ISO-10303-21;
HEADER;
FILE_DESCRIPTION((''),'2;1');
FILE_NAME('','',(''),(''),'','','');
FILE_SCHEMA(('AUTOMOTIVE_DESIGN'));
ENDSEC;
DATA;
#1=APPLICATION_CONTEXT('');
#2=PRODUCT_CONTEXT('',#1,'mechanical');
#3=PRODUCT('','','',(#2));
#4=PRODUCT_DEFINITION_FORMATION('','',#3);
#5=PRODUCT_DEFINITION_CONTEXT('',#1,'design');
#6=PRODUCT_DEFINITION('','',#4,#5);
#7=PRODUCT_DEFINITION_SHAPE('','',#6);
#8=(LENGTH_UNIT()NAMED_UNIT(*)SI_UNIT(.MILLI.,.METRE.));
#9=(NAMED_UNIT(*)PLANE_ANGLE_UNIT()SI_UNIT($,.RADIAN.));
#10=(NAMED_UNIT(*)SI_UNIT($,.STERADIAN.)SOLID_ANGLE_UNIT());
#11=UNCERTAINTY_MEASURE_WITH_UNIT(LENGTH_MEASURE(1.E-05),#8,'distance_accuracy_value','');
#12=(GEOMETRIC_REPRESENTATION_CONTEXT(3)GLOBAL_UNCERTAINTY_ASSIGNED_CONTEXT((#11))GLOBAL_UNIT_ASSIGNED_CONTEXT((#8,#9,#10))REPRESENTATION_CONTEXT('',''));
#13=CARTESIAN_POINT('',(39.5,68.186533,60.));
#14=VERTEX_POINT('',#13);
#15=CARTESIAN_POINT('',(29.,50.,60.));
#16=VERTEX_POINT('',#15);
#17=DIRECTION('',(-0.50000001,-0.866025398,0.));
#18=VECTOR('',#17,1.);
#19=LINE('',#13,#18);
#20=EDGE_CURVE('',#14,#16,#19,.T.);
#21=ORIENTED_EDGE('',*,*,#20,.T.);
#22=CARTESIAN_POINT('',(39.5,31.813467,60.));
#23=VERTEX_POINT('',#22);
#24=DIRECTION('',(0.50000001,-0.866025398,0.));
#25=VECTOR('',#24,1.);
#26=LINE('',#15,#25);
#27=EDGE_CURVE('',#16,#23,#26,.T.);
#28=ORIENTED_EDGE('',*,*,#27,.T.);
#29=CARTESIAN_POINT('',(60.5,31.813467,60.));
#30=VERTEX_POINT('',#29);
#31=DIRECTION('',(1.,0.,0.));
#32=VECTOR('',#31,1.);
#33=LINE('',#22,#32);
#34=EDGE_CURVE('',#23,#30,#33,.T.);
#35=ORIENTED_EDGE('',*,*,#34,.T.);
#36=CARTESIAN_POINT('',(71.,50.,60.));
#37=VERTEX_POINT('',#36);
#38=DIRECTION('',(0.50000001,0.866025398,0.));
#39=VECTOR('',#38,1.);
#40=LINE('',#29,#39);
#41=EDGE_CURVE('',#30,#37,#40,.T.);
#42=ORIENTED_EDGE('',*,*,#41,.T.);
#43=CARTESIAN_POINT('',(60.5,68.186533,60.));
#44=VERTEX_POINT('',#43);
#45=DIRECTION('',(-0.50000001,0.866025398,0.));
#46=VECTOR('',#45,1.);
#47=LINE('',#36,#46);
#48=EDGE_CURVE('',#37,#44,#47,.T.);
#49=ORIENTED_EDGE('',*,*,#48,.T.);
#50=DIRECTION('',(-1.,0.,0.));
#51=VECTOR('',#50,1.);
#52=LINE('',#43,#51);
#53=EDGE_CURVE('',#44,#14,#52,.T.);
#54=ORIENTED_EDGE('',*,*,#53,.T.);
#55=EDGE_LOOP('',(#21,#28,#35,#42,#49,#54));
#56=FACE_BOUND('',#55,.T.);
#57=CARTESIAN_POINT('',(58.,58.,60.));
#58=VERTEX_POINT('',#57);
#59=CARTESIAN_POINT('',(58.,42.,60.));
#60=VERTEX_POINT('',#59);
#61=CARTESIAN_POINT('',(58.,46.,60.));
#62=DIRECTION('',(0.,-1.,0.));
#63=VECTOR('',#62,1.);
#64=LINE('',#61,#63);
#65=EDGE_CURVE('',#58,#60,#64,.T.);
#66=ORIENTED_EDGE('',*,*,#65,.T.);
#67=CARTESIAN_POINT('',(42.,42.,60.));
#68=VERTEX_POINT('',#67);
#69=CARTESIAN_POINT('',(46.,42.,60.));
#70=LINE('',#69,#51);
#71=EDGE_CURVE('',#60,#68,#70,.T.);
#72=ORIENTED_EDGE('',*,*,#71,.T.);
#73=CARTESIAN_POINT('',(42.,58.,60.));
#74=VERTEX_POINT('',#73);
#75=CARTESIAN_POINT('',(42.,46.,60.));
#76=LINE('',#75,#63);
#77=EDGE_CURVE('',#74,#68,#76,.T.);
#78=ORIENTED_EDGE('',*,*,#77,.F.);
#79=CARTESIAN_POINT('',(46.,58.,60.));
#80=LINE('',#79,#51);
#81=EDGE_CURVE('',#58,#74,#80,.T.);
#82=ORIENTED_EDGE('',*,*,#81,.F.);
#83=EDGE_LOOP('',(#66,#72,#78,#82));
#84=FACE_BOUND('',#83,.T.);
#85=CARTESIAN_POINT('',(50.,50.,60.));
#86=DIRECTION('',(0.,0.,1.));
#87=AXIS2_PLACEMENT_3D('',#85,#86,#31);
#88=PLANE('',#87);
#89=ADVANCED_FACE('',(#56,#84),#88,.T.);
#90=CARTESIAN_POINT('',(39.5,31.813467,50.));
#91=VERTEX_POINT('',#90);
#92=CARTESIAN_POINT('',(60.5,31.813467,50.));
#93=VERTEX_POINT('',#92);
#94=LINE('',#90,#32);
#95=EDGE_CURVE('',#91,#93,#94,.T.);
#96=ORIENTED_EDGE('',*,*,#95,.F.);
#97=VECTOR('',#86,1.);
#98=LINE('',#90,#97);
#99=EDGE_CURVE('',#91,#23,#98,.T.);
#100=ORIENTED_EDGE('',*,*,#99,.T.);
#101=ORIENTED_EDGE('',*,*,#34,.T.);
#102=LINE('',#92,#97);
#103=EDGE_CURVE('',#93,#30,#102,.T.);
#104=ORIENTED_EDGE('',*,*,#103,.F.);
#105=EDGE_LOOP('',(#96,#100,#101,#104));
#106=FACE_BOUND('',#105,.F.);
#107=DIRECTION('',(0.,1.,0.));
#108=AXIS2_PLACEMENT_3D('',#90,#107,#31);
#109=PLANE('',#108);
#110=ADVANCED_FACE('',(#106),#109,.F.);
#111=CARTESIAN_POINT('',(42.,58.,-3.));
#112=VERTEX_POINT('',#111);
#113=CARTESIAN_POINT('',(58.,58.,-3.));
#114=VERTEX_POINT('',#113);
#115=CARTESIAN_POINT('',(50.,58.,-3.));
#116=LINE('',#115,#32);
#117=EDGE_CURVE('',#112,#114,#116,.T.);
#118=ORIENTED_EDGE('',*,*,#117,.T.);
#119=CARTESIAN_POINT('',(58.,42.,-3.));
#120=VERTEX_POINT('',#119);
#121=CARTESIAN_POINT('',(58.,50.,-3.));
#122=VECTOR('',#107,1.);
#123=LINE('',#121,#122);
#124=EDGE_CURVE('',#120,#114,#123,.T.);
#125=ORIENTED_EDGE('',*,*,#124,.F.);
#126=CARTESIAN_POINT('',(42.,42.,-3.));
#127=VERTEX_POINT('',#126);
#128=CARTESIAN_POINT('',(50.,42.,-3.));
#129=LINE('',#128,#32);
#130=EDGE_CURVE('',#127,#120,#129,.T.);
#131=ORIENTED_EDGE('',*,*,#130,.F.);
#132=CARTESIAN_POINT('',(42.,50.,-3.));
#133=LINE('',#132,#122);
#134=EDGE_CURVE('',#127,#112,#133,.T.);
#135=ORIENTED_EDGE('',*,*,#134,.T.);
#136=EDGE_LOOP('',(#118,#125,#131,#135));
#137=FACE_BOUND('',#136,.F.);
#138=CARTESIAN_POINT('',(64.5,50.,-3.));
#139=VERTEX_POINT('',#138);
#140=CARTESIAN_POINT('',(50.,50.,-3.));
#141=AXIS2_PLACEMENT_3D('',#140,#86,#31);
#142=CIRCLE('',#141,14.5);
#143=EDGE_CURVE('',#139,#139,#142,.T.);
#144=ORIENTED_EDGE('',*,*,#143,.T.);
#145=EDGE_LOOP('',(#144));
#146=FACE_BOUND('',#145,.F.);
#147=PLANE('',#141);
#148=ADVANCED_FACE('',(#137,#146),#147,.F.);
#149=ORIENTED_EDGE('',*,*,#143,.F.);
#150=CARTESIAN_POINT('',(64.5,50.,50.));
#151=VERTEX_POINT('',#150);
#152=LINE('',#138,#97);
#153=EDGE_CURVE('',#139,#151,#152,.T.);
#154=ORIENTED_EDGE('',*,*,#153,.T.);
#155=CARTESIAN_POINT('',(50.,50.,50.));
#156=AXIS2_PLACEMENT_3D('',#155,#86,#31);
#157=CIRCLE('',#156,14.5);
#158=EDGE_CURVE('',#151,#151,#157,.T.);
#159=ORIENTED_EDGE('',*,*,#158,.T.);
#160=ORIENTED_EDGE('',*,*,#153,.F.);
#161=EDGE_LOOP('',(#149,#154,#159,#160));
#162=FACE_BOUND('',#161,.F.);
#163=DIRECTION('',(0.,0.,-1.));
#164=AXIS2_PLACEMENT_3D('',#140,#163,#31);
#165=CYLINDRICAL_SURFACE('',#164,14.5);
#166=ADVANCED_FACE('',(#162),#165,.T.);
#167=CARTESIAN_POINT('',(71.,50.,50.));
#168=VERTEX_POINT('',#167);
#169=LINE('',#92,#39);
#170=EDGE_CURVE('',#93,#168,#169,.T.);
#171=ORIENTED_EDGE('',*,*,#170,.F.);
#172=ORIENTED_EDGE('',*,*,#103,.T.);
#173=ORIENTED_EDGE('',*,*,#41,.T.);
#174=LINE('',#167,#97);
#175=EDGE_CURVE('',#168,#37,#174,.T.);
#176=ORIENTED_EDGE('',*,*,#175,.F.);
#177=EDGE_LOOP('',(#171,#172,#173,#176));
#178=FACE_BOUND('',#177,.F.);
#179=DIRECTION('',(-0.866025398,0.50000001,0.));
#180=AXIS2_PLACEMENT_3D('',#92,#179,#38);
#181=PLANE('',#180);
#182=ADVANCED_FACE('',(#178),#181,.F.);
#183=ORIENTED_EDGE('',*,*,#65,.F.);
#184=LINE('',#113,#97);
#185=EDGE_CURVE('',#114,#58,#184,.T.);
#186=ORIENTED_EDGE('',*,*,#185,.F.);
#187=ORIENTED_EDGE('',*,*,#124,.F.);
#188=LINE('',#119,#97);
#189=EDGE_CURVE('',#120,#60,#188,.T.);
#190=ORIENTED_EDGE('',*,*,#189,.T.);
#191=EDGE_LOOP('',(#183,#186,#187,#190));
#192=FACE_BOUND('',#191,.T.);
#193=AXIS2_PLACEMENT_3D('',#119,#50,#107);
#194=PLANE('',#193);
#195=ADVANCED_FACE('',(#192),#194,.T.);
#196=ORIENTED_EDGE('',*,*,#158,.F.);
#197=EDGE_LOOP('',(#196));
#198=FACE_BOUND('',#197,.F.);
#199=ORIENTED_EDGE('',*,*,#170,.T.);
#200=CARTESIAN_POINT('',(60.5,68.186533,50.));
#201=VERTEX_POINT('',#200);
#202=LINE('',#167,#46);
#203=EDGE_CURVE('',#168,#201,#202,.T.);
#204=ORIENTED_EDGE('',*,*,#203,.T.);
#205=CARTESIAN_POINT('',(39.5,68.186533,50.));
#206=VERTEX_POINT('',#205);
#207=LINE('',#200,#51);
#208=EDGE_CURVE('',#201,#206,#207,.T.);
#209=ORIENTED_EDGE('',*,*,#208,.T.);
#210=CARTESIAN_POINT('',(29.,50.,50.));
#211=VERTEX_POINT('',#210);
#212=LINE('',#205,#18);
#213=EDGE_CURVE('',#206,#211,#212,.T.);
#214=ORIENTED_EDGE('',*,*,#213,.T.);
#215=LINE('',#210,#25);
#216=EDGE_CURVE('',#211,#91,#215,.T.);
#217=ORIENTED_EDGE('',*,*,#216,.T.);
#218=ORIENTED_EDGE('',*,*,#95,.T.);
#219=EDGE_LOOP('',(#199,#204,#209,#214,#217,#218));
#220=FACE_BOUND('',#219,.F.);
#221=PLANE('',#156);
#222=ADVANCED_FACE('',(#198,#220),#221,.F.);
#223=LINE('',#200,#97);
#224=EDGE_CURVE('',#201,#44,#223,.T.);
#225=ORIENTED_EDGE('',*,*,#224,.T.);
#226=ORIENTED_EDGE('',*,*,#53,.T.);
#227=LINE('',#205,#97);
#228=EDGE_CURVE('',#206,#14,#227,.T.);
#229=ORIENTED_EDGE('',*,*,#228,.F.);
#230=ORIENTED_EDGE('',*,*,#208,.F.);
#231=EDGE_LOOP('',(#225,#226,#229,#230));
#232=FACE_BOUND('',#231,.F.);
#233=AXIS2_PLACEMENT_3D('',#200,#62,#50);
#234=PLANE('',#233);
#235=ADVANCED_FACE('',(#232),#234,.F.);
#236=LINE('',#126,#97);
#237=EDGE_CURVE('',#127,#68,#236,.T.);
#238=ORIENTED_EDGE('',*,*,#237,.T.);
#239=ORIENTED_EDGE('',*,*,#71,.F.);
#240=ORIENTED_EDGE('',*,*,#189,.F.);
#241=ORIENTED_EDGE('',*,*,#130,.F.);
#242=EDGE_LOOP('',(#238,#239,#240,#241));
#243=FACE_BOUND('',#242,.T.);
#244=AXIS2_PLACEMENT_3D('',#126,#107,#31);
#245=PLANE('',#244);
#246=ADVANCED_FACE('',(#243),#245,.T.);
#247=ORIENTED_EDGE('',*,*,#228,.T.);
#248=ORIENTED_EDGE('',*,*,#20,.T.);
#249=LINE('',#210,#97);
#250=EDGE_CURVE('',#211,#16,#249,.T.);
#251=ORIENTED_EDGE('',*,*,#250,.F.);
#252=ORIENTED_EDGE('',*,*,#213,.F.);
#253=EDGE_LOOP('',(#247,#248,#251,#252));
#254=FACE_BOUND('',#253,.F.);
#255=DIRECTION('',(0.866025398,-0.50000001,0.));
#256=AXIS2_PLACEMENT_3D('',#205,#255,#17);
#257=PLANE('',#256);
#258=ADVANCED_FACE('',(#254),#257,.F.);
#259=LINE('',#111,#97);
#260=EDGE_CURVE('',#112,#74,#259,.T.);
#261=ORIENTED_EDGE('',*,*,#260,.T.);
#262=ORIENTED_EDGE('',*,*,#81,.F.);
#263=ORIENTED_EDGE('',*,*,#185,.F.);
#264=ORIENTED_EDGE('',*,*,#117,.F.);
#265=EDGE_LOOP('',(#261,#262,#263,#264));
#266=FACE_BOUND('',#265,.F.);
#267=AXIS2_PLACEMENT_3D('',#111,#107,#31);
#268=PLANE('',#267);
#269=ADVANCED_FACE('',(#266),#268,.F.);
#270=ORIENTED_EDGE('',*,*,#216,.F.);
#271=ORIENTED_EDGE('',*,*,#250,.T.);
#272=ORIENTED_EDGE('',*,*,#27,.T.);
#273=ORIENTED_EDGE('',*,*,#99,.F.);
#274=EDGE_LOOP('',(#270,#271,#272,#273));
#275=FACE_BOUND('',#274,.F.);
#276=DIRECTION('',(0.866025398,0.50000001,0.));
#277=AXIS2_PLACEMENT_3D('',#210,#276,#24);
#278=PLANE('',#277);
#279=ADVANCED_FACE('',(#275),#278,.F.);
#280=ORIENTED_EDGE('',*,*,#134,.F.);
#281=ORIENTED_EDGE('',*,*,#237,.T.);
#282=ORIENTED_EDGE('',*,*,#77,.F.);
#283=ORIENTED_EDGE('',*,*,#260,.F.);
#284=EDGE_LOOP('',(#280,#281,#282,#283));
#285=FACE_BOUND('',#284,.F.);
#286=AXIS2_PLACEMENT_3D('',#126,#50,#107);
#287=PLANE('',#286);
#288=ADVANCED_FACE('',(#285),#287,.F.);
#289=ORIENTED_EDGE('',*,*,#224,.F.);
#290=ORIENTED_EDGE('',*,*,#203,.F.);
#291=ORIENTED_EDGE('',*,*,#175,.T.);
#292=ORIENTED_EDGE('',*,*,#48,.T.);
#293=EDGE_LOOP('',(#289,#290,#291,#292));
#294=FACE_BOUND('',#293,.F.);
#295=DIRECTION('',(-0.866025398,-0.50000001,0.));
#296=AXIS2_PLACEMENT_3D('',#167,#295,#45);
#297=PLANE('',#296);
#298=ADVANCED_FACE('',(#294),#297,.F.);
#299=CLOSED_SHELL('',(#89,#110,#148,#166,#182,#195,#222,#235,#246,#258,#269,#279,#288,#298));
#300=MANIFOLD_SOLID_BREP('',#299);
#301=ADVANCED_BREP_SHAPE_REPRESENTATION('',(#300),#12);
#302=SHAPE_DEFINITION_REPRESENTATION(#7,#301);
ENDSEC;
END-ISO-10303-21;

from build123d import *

# Parameters (mm, degrees)
SKETCH_R     = 14.5
PAD_DEPTH    = 53
PAD001_DEPTH = 10
SKETCH001_W  = 16
SKETCH001_H  = 16
POCKET_DEPTH = 70


with BuildPart() as part:
    # Sketch → Pad (new body)
    with BuildSketch(Plane.XY):
        Circle(SKETCH_R)
    extrude(amount=PAD_DEPTH)

    # Sketch002 → Pad001 (join)
    with BuildSketch(Plane.XY.offset(53)):
        Polygon((21, 0), (10.5, 18.186533), (-10.5, 18.186533), (-21, 0), (-10.5, -18.186533), (10.5, -18.186533), align=None)
    extrude(amount=PAD001_DEPTH)

    # Sketch001 → Pocket (cut)
    with BuildSketch(Plane.XY):
        Rectangle(SKETCH001_W, SKETCH001_H)
    extrude(amount=POCKET_DEPTH, mode=Mode.SUBTRACT)


with BuildPart() as part_1:
    # Body placement: moved
    add(part.part.moved(Location((50, 50, -3))))


solid = part_1.part
